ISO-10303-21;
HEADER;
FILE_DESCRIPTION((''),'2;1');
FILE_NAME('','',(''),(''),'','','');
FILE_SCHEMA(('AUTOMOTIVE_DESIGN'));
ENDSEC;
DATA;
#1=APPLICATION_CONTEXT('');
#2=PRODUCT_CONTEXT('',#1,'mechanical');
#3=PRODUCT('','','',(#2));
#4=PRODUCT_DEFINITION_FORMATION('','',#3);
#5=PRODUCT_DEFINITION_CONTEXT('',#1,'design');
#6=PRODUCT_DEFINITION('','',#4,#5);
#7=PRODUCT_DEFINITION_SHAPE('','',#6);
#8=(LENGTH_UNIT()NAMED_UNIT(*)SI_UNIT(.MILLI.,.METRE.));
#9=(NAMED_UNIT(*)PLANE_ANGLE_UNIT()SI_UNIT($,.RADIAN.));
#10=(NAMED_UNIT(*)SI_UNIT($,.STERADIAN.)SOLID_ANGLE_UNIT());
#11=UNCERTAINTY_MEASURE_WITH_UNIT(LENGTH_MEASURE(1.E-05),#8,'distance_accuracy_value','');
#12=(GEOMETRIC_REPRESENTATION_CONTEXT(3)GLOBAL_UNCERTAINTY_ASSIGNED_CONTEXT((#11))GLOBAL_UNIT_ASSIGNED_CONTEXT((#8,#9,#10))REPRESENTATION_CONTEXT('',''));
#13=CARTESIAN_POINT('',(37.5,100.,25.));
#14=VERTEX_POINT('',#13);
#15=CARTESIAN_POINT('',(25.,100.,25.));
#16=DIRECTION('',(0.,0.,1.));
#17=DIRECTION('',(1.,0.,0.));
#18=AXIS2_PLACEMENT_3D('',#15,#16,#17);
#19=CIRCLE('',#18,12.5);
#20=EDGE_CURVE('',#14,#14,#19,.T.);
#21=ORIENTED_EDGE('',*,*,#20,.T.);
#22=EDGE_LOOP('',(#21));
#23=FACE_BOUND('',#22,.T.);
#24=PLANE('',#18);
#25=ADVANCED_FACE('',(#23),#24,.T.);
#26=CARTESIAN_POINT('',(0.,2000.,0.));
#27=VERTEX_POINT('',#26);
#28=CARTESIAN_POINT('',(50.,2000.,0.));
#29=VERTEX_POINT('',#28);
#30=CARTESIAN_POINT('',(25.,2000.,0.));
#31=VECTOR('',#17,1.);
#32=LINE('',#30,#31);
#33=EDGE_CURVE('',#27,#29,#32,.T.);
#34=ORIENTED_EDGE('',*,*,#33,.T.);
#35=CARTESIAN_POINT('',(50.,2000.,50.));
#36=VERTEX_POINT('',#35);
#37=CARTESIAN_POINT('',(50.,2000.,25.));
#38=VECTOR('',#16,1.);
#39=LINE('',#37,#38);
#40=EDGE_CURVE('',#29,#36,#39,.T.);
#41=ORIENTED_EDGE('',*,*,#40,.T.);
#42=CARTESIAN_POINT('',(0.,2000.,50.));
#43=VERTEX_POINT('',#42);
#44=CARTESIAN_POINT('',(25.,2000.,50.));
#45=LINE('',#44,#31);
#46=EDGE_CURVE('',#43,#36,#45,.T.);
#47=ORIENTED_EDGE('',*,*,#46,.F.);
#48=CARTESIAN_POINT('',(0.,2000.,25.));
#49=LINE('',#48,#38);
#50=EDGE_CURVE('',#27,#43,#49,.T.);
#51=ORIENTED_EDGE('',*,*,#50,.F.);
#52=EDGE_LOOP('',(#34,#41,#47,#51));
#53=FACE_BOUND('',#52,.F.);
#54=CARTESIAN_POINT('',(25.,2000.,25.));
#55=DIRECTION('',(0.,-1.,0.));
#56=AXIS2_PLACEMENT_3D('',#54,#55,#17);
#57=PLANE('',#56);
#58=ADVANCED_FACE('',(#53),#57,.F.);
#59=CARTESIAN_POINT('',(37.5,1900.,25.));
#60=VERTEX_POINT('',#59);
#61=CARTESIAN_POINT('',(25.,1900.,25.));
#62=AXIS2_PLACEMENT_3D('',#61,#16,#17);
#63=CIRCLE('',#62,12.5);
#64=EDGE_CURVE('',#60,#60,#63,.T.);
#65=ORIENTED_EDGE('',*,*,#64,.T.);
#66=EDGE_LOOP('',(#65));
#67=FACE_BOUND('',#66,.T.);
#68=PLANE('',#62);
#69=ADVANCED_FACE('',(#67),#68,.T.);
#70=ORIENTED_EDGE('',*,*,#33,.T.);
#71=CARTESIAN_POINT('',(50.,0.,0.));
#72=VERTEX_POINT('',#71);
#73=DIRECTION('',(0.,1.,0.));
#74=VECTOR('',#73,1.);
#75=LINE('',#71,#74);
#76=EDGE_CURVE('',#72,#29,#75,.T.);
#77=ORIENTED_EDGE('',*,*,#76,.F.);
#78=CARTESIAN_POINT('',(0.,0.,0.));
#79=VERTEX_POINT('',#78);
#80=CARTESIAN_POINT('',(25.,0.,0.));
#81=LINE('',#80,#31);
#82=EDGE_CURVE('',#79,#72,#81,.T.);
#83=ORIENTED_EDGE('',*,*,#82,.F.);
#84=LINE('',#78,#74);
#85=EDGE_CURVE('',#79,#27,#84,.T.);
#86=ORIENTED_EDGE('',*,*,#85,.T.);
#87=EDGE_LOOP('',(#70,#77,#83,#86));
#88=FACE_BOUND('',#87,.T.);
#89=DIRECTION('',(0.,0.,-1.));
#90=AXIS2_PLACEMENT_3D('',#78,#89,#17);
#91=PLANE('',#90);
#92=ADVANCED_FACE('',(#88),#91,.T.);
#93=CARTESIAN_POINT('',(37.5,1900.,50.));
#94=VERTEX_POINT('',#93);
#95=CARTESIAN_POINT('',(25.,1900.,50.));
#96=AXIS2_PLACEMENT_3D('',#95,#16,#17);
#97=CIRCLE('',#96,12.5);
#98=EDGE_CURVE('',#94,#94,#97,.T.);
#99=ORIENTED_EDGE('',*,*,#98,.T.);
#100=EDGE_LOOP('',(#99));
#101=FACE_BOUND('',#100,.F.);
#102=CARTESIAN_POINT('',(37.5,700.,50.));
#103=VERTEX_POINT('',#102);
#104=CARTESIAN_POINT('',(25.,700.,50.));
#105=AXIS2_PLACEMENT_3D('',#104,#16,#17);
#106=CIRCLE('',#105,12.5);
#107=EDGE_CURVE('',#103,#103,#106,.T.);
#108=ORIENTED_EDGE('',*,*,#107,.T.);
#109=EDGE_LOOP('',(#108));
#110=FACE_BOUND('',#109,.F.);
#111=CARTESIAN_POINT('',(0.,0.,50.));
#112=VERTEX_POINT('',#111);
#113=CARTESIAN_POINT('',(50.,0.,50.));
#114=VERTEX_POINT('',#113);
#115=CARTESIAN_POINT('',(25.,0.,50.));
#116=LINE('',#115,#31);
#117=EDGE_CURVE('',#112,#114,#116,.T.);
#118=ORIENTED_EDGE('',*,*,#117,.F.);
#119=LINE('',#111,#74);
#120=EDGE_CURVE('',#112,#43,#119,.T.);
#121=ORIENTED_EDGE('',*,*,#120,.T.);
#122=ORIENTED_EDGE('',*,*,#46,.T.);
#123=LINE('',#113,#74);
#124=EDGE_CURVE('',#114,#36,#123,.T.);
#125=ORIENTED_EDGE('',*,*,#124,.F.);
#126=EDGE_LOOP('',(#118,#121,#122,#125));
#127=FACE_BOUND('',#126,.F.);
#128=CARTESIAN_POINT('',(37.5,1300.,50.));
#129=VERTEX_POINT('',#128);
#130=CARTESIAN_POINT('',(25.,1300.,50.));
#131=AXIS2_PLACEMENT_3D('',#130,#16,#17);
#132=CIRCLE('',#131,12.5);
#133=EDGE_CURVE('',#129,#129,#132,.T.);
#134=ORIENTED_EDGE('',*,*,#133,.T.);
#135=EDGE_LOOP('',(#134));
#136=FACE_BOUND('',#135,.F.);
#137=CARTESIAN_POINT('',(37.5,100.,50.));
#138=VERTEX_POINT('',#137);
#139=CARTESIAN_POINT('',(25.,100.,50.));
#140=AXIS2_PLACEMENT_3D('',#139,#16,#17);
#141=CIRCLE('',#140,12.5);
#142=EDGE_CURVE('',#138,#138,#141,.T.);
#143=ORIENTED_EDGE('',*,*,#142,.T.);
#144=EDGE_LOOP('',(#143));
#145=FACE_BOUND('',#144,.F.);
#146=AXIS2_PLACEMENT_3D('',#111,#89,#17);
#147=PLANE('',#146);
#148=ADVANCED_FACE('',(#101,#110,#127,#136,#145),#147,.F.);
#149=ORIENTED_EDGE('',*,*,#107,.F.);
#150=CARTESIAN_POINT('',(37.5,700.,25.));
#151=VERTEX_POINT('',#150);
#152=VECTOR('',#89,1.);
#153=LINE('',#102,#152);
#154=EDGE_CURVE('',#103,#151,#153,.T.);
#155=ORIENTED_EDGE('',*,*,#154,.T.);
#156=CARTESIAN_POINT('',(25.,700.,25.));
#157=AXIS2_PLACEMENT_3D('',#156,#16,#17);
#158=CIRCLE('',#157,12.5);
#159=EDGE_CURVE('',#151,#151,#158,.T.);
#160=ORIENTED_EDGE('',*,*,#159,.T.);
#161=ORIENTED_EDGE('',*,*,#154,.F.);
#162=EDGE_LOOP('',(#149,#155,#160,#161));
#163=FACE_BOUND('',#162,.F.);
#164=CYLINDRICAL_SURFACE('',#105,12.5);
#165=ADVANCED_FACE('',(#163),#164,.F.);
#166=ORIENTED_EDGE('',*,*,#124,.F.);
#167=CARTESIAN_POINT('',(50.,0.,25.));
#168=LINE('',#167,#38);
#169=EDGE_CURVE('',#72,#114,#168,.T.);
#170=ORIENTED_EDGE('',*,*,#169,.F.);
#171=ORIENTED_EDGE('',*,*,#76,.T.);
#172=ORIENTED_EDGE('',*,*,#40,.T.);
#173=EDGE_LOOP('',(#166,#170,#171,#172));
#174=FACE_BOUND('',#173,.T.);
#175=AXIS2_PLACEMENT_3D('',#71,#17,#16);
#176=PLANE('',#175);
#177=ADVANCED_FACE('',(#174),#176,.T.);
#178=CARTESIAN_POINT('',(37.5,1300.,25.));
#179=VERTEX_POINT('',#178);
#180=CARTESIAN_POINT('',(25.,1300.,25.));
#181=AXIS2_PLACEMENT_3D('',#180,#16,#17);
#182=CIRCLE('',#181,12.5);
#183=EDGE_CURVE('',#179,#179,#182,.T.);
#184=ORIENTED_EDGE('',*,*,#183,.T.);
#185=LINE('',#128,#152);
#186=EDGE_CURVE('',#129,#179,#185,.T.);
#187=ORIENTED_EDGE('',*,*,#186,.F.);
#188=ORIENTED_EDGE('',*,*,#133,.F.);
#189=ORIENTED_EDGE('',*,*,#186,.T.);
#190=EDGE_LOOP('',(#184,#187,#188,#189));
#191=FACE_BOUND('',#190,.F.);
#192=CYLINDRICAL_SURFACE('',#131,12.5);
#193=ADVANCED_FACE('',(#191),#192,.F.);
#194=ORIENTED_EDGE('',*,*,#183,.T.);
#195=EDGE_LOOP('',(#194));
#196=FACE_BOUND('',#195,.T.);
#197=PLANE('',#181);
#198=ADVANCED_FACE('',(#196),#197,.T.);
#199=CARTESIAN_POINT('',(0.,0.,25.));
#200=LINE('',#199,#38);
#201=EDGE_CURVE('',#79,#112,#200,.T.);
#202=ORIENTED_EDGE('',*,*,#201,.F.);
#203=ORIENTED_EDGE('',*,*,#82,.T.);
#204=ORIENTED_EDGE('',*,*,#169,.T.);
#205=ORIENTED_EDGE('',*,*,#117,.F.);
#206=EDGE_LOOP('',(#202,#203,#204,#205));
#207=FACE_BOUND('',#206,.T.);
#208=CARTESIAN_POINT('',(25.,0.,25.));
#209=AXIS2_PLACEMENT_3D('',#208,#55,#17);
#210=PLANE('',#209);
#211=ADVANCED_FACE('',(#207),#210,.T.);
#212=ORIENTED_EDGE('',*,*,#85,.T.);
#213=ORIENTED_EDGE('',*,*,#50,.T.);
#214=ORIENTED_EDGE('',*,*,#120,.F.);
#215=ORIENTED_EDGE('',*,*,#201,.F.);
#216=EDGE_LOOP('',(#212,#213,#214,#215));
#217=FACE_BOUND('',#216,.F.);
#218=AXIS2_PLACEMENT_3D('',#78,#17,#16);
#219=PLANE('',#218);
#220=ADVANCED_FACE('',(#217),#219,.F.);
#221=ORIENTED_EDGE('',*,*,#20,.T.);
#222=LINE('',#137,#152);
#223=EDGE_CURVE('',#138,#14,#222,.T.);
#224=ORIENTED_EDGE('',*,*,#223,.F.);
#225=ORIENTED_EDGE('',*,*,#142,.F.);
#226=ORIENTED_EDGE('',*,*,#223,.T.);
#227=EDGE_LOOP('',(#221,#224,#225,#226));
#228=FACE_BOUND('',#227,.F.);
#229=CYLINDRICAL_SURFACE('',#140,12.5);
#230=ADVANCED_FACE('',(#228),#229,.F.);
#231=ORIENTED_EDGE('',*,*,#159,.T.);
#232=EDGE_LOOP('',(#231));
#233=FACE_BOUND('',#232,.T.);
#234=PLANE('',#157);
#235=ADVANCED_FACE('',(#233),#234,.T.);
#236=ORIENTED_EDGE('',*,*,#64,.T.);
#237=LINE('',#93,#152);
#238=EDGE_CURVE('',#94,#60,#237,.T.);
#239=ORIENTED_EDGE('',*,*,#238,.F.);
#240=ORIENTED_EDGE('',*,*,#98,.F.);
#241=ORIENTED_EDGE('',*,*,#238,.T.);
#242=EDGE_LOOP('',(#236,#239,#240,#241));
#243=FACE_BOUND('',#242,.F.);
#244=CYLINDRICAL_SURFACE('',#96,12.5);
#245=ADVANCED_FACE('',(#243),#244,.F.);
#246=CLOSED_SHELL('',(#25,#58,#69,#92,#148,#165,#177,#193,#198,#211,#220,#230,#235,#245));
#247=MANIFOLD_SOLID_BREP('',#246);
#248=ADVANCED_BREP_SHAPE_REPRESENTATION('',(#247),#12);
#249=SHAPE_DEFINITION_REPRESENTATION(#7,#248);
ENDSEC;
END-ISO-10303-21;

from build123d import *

# Parameters (mm, degrees)
F0_W     = 50
F0_H     = 50
F1_DEPTH = 2000
F2_R     = 12.5
F3_DEPTH = 25


with BuildPart() as f1:
    # F0 (on Front) → F1 (new body)
    with BuildSketch(Plane.XZ):
        with Locations((25, 25)):
            Rectangle(F0_W, F0_H)
    extrude(amount=-F1_DEPTH)

    # F2 (on face) → F3 (cut)
    with BuildSketch(Plane.XY.offset(50)):
        with Locations((25, 100)):
            Circle(F2_R)
        with Locations((25, 1900)):
            Circle(F2_R)
        with Locations((25, 1300)):
            Circle(F2_R)
        with Locations((25, 700)):
            Circle(F2_R)
    extrude(amount=-F3_DEPTH, mode=Mode.SUBTRACT)


solid = f1.part
